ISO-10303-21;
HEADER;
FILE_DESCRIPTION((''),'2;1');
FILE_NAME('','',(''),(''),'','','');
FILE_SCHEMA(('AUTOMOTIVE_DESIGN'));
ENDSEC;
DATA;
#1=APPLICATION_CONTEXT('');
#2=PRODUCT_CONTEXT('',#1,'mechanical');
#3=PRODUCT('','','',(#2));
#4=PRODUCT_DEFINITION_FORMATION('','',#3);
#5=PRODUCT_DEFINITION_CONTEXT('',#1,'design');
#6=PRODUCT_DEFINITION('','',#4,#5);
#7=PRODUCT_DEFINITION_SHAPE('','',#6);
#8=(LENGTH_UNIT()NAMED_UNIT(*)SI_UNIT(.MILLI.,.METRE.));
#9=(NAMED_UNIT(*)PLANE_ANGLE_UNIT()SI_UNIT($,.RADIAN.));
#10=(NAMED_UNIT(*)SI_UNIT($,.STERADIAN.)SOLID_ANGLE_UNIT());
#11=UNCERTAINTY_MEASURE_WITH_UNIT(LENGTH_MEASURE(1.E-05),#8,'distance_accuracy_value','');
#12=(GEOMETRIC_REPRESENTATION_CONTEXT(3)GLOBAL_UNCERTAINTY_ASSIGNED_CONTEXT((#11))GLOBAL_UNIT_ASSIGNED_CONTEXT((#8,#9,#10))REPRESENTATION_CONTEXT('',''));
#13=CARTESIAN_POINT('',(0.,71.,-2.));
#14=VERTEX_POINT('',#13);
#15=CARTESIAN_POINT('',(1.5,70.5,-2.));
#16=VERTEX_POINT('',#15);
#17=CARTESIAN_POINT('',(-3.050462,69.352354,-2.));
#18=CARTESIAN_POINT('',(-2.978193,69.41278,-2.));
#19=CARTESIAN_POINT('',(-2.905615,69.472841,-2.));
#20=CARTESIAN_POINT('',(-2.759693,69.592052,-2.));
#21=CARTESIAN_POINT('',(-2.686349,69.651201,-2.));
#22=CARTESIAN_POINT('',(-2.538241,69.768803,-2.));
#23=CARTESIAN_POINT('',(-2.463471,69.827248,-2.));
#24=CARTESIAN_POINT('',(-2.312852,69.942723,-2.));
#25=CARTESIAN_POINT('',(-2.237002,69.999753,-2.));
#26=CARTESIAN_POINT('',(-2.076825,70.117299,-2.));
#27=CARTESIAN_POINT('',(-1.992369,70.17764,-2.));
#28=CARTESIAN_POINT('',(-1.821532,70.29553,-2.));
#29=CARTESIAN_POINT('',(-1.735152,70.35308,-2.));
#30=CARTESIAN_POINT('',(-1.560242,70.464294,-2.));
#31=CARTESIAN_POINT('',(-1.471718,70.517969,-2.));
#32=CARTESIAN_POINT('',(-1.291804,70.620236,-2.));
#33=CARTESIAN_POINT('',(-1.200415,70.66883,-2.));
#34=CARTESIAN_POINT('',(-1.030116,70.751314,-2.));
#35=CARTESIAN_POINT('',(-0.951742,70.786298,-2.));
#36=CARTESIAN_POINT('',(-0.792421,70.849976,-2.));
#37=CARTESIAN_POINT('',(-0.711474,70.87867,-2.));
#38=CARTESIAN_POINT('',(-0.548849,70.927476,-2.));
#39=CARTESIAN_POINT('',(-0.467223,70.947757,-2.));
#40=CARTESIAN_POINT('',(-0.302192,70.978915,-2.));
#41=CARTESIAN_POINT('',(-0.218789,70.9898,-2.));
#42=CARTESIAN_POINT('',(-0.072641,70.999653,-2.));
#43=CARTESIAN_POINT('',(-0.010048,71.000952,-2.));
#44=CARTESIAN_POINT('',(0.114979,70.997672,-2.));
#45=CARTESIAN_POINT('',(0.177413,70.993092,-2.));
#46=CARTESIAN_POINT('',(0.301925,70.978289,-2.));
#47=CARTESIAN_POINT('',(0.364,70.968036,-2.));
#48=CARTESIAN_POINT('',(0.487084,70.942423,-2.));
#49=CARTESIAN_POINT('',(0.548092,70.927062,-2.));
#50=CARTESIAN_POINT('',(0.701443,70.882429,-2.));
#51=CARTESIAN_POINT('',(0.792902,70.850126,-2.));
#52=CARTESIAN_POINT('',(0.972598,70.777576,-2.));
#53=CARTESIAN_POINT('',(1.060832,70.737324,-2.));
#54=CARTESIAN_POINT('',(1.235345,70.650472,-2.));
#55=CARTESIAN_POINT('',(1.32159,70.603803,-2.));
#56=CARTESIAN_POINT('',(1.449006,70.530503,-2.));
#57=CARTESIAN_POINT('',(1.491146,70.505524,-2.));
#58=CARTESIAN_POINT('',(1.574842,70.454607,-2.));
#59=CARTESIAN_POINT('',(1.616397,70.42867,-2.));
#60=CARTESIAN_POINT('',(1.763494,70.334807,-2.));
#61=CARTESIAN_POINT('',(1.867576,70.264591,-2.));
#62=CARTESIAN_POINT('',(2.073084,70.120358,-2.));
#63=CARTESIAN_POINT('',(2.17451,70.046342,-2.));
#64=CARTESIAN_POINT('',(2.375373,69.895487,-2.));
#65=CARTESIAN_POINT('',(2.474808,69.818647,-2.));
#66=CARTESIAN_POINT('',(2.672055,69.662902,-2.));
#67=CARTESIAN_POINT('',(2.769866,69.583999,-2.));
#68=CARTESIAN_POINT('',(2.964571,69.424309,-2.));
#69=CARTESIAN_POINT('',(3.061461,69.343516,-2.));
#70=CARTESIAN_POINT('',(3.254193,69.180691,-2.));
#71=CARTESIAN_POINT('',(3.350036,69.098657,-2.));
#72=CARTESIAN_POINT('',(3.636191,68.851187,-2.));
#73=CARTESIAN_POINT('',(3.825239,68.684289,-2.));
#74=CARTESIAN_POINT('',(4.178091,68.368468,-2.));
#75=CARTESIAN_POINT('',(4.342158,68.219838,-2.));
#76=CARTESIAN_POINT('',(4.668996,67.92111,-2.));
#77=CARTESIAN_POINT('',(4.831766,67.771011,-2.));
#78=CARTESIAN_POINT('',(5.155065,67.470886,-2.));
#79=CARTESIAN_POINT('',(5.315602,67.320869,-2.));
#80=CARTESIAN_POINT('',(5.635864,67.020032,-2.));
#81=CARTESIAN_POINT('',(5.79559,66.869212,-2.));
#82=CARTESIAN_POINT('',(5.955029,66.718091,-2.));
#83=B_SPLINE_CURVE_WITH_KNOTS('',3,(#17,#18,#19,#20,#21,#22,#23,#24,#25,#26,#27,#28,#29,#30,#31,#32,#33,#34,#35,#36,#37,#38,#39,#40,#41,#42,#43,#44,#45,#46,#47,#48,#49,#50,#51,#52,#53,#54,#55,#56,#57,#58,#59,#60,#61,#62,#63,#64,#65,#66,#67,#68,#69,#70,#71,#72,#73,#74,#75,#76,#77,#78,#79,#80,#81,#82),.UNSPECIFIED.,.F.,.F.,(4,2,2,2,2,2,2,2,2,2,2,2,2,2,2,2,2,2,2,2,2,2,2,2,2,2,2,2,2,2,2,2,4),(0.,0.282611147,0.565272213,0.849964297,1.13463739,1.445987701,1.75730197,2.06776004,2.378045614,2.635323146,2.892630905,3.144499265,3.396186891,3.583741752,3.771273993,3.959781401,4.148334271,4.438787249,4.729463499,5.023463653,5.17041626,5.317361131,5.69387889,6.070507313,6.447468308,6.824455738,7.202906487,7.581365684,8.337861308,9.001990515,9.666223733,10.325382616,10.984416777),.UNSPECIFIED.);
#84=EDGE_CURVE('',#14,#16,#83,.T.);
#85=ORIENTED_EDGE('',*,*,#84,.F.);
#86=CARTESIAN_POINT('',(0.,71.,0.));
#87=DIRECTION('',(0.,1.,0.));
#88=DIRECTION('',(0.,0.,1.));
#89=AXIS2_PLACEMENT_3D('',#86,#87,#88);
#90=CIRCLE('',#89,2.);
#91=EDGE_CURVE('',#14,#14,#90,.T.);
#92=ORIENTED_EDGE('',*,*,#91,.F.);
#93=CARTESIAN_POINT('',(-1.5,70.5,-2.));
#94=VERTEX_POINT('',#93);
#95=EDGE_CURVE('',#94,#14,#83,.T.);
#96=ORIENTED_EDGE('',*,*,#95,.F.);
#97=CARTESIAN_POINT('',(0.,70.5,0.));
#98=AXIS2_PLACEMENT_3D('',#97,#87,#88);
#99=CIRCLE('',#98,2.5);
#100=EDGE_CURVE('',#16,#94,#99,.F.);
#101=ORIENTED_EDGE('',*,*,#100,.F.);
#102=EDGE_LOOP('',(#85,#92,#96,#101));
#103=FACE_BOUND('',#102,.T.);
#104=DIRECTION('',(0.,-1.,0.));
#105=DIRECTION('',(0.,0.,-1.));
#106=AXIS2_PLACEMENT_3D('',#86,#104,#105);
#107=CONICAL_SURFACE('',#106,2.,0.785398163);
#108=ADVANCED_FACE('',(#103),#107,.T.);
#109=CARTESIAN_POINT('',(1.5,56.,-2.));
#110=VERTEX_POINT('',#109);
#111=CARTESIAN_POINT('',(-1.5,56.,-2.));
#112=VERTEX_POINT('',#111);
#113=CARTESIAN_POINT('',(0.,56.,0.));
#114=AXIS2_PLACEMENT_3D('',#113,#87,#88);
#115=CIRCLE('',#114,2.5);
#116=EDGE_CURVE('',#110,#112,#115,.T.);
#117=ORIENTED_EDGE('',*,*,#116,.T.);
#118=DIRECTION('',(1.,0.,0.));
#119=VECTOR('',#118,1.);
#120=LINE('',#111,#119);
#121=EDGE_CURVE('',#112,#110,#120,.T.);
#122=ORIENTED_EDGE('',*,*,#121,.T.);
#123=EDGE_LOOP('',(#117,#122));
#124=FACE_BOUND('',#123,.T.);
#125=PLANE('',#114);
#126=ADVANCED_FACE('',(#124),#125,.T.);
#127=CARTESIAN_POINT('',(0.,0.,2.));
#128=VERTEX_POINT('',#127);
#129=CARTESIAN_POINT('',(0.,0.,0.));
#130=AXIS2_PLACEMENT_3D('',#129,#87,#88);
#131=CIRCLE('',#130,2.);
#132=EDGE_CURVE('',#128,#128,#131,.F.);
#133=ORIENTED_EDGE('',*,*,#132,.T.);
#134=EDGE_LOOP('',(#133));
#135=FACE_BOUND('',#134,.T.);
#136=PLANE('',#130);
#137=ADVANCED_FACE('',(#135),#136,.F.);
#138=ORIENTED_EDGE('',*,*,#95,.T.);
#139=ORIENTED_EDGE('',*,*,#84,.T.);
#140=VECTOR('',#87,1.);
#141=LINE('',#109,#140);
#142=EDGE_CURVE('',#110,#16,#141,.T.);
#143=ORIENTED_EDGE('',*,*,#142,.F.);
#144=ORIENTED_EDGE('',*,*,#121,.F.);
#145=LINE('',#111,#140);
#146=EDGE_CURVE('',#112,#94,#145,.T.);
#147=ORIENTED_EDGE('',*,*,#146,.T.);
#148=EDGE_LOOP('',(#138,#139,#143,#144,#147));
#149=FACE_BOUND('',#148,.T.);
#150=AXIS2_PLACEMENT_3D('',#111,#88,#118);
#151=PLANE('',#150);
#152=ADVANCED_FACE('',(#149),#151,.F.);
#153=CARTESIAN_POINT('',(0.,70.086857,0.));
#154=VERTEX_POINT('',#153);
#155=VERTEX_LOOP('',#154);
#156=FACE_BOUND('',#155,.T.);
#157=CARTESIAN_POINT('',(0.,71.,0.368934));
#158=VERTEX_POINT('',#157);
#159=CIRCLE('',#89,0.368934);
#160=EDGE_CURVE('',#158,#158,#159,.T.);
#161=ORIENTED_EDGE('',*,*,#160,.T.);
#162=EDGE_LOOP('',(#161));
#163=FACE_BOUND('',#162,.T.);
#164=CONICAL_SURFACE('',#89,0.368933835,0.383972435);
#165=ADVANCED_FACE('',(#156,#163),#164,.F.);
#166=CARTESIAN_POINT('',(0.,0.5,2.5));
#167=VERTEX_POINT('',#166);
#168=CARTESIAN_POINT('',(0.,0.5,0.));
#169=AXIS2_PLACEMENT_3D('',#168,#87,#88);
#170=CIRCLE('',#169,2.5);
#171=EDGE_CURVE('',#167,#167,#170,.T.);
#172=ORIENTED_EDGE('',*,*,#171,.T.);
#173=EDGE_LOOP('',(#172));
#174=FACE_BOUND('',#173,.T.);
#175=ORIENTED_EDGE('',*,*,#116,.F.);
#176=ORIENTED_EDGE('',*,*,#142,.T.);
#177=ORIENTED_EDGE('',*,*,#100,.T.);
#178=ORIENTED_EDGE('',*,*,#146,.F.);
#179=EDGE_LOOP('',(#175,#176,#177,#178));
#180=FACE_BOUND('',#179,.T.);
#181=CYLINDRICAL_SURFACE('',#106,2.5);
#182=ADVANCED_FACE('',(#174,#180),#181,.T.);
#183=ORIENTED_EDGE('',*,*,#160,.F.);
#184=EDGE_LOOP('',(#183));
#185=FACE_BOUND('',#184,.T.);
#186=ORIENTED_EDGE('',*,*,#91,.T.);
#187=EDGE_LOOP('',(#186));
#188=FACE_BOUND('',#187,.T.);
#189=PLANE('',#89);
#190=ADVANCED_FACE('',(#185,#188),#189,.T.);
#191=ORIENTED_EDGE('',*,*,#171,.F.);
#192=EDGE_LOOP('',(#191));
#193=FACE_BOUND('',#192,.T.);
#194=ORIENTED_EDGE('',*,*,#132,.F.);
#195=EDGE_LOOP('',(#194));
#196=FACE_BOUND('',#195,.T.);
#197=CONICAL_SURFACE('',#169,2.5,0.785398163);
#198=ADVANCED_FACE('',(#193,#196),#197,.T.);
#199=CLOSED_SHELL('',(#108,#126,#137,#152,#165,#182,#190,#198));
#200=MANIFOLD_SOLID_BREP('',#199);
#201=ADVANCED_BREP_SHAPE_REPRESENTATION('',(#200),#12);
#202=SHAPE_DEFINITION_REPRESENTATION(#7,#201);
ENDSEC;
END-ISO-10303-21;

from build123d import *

# Parameters (mm, degrees)
SKETCH_1_R          = 2.5
EXTRUDE_1_DEPTH     = 71
CHAMFER_1_SIZE      = 0.5
CUT_EXTRUDE_START   = -15
CUT_EXTRUDE_2_DEPTH = 15


with BuildPart() as part:
    # Эскиз1 → Бобышка-Вытянуть1 (new body)
    with BuildSketch(Plane(origin=(0, 0, 0), x_dir=(1, 0, 0), z_dir=(0, 1, 0))):
        with Locations(Location((0, 0, 0), (0, 0, 270))):
            Circle(SKETCH_1_R)
    extrude(amount=EXTRUDE_1_DEPTH)

    # Фаска1
    chamfer_1_edges = [part.edges().sort_by_distance(p)[0] for p in [
        (0, 0, -2.5),
        (0, 71, -2.5),
    ]]
    chamfer(chamfer_1_edges, length=CHAMFER_1_SIZE)

    # Вырез-Вытянуть1 cone 1 section (through the dimple's axis) → Вырез-Вытянуть1 (revolve, cut)
    with BuildSketch(Plane(origin=(0, 71, 0), x_dir=(0, 0, 1), z_dir=(1, 0, 0))):
        Polygon((0, 0), (0.368933835, 0), (0, 0.913143285), align=None)
    revolve(axis=Axis((0, 71, 0), (0, -1, 0)), mode=Mode.SUBTRACT)

    # Эскиз3 → Вырез-Вытянуть2 (cut)
    with BuildSketch(Plane(origin=(0, 71, 0), x_dir=(1, 0, 0), z_dir=(0, 1, 0)).offset(CUT_EXTRUDE_START)):
        with BuildLine():
            Line((-1.5, 2), (1.5, 2))
            ThreePointArc((1.5, 2), (0, 2.5), (-1.5, 2))
        make_face()
    extrude(amount=CUT_EXTRUDE_2_DEPTH, mode=Mode.SUBTRACT)


solid = part.part
